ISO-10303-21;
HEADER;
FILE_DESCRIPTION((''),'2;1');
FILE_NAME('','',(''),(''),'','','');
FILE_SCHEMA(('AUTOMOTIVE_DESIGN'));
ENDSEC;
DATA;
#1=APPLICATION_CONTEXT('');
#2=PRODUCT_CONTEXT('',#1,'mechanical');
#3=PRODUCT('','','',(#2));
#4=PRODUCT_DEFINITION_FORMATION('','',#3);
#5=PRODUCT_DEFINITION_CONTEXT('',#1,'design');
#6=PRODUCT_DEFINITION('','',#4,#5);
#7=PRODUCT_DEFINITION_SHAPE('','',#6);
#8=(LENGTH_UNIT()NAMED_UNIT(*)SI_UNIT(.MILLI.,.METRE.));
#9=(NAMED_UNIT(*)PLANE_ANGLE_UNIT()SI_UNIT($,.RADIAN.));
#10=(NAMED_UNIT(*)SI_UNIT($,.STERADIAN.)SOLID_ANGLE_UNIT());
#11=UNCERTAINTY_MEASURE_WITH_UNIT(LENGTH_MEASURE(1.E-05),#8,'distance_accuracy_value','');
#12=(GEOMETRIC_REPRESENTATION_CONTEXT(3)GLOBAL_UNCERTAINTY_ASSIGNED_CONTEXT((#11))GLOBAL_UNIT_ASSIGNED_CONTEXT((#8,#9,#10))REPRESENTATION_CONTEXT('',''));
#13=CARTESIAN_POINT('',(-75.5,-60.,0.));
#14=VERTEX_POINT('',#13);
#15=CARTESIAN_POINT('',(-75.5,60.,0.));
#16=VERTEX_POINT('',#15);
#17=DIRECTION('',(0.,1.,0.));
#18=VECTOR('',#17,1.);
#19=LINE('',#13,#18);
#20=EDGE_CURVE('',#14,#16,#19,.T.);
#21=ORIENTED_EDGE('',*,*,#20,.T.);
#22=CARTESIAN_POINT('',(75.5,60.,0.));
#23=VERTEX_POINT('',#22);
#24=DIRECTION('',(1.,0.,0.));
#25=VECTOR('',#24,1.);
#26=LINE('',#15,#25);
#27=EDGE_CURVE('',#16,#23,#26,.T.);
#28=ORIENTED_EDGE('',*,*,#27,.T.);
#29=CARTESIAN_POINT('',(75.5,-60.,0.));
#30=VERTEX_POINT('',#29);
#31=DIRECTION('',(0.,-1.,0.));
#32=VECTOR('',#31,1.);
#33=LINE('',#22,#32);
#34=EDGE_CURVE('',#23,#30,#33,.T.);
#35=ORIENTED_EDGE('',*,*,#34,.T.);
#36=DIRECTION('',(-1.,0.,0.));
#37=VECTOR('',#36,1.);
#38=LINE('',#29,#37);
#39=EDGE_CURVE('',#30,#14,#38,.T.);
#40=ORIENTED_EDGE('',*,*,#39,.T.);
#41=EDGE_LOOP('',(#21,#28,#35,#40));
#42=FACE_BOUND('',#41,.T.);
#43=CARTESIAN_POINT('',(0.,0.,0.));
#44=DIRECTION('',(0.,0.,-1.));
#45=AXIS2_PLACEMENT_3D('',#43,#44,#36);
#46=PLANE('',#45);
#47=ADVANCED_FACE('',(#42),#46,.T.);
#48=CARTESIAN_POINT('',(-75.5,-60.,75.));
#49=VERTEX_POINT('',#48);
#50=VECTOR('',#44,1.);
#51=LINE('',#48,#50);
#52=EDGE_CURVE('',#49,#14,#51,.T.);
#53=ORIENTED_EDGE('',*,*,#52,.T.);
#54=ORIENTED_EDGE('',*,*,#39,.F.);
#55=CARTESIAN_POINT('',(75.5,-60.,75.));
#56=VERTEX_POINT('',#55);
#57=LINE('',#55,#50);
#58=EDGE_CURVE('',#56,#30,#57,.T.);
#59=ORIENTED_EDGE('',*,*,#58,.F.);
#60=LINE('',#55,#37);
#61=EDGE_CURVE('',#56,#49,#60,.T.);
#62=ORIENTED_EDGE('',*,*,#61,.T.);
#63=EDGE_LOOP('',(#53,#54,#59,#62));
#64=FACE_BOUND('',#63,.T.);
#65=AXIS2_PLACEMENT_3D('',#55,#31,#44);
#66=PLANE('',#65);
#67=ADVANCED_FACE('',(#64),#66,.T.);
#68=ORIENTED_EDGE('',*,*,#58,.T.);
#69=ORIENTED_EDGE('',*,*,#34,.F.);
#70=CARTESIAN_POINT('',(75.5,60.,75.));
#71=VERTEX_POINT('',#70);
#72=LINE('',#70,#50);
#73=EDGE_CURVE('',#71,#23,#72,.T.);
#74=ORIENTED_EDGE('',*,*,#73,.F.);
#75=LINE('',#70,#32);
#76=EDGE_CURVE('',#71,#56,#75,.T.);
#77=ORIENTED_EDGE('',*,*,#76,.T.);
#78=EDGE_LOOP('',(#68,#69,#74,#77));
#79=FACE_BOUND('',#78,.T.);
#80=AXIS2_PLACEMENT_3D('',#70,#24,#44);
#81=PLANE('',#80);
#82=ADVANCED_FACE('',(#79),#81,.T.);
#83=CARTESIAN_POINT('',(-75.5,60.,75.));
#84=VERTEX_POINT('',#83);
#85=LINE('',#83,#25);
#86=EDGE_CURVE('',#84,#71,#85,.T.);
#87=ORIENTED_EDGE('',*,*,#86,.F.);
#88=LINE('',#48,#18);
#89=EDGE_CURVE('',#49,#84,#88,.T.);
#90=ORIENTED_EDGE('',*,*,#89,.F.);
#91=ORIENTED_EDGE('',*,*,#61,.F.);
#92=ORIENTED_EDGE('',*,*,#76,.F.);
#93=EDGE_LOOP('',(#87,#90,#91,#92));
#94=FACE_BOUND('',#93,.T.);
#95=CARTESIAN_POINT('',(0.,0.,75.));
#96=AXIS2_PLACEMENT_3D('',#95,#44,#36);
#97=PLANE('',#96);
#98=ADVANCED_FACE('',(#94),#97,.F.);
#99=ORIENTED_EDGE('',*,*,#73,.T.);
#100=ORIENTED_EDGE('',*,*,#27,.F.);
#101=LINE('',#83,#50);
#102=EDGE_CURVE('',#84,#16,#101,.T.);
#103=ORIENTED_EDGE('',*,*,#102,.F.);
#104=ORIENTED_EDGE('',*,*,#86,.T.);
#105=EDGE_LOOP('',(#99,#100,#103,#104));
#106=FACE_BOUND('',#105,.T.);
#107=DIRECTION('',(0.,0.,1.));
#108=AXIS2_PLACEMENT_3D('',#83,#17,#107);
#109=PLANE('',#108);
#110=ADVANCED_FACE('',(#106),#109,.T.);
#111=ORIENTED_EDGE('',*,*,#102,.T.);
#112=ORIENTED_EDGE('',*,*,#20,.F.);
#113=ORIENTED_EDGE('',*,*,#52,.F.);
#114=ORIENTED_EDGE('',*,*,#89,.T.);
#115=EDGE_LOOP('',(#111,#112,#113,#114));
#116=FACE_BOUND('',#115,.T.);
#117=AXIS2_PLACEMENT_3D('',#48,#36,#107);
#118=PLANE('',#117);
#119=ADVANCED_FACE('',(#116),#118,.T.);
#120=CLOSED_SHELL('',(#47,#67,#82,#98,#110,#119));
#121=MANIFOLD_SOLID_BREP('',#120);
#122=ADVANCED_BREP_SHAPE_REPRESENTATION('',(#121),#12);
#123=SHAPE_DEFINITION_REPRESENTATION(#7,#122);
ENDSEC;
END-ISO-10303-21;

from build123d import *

# Parameters (mm, degrees)
SKETCH_1_W      = 151
SKETCH_1_H      = 120
EXTRUDE_1_DEPTH = 75


with BuildPart() as part:
    # 草图1 → 凸台-拉伸1 (new body)
    with BuildSketch(Plane(origin=(0, 0, 0), x_dir=(-1, 0, 0), z_dir=(0, 0, -1))):
        Rectangle(SKETCH_1_W, SKETCH_1_H)
    extrude(amount=-EXTRUDE_1_DEPTH)


solid = part.part
